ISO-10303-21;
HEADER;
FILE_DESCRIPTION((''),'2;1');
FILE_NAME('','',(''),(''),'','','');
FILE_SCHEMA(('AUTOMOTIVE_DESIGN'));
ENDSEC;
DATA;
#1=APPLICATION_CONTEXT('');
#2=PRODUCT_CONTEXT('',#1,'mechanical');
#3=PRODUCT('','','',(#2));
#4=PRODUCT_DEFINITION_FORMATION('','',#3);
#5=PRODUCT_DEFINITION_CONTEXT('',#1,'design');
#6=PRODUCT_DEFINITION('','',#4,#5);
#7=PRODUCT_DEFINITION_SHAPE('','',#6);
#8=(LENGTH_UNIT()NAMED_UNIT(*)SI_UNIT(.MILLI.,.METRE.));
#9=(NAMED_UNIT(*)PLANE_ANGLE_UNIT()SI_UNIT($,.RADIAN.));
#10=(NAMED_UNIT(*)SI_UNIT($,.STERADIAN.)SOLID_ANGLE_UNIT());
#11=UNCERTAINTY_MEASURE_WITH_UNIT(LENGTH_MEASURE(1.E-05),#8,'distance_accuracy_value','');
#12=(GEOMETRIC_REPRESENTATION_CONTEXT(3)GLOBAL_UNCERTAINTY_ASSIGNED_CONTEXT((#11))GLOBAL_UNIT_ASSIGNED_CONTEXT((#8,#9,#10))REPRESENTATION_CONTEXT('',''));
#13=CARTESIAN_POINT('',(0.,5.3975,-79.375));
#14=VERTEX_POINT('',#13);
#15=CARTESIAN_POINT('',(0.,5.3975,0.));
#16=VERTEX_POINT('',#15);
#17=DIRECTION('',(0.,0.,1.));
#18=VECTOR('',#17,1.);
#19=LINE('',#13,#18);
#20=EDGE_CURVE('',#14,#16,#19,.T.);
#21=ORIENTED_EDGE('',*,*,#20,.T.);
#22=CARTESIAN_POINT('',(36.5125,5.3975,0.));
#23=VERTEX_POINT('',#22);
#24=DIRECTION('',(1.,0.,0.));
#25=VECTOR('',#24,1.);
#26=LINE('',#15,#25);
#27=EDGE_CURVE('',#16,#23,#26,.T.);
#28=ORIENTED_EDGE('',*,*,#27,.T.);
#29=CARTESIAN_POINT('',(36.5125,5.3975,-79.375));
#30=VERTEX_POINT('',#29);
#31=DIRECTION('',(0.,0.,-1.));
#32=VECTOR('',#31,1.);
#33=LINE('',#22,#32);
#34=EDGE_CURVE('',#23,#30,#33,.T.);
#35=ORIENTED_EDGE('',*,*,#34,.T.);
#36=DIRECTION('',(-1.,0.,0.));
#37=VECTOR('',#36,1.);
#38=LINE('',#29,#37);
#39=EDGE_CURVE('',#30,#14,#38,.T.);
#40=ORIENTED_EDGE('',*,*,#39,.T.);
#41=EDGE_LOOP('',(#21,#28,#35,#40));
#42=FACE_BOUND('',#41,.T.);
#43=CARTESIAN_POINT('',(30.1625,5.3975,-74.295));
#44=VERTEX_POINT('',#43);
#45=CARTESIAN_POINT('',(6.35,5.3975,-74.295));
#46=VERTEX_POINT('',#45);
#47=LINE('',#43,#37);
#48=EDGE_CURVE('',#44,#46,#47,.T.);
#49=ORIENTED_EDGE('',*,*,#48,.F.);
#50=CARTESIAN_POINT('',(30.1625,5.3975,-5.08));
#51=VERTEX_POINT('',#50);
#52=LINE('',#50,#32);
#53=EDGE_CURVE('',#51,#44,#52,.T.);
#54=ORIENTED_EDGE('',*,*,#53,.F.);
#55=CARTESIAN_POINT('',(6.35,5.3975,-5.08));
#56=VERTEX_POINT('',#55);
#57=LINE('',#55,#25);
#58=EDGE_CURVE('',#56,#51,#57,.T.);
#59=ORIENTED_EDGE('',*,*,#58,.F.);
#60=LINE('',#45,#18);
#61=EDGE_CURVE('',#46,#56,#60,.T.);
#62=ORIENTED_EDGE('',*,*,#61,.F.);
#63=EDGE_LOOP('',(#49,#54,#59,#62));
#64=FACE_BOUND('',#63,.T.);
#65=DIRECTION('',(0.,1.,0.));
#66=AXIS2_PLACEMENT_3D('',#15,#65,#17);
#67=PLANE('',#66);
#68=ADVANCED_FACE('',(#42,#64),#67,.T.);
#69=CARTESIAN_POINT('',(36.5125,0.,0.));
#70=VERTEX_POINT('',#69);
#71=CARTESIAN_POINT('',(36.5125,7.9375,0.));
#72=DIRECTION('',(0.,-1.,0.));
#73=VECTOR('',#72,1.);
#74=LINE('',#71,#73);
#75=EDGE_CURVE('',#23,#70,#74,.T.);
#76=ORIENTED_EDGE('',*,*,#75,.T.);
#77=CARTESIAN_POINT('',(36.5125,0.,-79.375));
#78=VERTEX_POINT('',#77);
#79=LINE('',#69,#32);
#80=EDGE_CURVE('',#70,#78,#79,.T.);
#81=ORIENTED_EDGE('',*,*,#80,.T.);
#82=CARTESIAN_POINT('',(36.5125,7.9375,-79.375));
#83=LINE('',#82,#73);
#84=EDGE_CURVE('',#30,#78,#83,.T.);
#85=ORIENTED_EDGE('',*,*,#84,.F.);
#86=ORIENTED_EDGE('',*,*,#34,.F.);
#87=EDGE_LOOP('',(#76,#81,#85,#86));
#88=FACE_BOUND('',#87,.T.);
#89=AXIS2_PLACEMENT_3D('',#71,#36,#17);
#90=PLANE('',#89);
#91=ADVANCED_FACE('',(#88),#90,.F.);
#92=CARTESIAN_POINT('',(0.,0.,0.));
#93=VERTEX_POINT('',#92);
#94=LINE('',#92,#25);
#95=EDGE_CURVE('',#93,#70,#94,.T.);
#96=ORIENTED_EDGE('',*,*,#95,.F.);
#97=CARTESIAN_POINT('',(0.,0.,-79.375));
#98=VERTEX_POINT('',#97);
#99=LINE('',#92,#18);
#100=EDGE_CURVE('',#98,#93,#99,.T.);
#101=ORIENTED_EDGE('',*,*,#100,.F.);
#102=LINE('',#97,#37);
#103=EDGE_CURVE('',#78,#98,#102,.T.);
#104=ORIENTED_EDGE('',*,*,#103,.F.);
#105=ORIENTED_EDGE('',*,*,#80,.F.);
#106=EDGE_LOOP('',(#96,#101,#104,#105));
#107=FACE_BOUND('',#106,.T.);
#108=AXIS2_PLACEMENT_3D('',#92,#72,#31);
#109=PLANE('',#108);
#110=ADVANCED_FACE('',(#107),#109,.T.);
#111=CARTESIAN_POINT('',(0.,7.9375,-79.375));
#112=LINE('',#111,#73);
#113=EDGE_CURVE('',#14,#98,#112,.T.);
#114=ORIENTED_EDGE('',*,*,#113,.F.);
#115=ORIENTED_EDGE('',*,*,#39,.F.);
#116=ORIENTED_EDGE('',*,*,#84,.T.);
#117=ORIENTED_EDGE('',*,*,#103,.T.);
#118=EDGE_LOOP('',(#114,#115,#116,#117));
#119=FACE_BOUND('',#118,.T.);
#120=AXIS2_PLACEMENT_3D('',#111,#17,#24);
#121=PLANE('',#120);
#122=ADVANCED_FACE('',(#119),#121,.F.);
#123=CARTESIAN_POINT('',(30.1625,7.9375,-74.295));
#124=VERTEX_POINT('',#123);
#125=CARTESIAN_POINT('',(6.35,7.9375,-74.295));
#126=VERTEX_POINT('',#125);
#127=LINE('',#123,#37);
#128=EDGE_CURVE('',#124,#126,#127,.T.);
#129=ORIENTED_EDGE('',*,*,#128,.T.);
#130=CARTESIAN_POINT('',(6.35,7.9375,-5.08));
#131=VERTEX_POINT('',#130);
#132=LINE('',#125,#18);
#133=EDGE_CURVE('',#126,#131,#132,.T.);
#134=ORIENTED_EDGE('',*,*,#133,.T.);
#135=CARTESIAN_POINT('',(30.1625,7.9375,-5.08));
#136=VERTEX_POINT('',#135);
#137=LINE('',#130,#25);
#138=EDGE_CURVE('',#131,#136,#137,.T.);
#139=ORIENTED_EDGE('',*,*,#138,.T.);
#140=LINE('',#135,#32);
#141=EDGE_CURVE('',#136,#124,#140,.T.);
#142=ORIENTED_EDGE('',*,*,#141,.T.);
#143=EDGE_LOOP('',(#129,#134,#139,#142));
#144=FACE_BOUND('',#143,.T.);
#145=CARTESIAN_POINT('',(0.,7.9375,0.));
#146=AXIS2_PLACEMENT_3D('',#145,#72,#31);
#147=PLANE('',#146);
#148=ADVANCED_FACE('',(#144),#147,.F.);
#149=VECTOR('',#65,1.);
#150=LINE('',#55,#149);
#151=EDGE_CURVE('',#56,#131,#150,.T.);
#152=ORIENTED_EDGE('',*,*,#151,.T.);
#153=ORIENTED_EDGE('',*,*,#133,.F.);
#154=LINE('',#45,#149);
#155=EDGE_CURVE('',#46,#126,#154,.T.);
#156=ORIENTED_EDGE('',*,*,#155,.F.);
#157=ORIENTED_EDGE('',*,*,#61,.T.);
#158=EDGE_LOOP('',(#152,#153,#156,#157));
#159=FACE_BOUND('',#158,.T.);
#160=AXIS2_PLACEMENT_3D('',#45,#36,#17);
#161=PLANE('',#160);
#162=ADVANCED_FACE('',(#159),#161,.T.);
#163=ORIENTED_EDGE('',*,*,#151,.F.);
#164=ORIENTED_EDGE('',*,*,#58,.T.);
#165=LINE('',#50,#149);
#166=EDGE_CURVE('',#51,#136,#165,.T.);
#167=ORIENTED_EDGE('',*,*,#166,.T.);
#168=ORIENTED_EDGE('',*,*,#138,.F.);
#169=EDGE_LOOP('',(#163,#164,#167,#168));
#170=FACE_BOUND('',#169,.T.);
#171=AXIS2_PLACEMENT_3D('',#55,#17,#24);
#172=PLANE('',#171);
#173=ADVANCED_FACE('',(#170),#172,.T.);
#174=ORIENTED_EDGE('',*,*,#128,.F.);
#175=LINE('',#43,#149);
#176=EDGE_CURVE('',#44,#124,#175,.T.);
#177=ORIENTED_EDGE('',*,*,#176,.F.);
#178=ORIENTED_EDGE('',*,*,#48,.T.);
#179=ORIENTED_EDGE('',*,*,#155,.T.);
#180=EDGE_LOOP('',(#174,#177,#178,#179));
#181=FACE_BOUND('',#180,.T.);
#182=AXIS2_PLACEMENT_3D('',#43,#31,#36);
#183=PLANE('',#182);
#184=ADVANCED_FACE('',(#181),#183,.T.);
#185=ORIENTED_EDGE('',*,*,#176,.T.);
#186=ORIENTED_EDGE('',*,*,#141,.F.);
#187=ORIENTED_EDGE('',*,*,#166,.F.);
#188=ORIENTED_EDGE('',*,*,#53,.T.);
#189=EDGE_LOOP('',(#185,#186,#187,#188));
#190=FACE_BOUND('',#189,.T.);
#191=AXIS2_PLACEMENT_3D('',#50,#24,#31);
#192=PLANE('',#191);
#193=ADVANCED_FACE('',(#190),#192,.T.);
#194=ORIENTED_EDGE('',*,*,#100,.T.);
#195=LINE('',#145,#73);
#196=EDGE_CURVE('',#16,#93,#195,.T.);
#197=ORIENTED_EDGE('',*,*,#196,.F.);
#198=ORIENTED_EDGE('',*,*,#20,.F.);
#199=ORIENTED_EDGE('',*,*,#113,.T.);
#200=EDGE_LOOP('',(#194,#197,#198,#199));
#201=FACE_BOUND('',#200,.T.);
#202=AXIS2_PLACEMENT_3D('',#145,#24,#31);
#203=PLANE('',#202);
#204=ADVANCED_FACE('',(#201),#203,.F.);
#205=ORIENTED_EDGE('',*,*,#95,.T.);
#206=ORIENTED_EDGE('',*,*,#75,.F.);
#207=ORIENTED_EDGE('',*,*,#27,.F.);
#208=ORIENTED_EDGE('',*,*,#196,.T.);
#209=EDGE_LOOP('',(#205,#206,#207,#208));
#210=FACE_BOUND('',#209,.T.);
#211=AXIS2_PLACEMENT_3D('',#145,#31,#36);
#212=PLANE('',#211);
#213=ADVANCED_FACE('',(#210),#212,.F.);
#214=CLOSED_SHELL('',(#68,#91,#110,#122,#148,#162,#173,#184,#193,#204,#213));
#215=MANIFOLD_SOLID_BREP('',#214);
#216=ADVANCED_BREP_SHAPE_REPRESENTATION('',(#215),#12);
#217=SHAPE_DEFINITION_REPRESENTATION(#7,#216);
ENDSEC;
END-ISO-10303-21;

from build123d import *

# Parameters (mm, degrees)
SKETCH1_W           = 36.5125
SKETCH1_H           = 79.375
BOSS_EXTRUDE1_DEPTH = 7.9375
SKETCH2_W           = 36.5125
SKETCH2_H           = 79.375
SKETCH2_W_2         = 23.8125
SKETCH2_H_2         = 69.215
CUT_EXTRUDE1_DEPTH  = 2.54


with BuildPart() as part:
    # Sketch1 → Boss-Extrude1 (new body)
    with BuildSketch(Plane(origin=(0, 0, 0), x_dir=(1, 0, 0), z_dir=(0, 1, 0))):
        with Locations((18.25625, 39.6875)):
            Rectangle(SKETCH1_W, SKETCH1_H)
    extrude(amount=BOSS_EXTRUDE1_DEPTH)

    # Sketch2 → Cut-Extrude1 (cut)
    with BuildSketch(Plane(origin=(0, 7.9375, 0), x_dir=(1, 0, 0), z_dir=(0, 1, 0))):
        with Locations((18.25625, 39.6875)):
            Rectangle(SKETCH2_W, SKETCH2_H)
        with Locations((18.25625, 39.6875)):
            Rectangle(SKETCH2_W_2, SKETCH2_H_2, mode=Mode.SUBTRACT)
    extrude(amount=-CUT_EXTRUDE1_DEPTH, mode=Mode.SUBTRACT)


solid = part.part
